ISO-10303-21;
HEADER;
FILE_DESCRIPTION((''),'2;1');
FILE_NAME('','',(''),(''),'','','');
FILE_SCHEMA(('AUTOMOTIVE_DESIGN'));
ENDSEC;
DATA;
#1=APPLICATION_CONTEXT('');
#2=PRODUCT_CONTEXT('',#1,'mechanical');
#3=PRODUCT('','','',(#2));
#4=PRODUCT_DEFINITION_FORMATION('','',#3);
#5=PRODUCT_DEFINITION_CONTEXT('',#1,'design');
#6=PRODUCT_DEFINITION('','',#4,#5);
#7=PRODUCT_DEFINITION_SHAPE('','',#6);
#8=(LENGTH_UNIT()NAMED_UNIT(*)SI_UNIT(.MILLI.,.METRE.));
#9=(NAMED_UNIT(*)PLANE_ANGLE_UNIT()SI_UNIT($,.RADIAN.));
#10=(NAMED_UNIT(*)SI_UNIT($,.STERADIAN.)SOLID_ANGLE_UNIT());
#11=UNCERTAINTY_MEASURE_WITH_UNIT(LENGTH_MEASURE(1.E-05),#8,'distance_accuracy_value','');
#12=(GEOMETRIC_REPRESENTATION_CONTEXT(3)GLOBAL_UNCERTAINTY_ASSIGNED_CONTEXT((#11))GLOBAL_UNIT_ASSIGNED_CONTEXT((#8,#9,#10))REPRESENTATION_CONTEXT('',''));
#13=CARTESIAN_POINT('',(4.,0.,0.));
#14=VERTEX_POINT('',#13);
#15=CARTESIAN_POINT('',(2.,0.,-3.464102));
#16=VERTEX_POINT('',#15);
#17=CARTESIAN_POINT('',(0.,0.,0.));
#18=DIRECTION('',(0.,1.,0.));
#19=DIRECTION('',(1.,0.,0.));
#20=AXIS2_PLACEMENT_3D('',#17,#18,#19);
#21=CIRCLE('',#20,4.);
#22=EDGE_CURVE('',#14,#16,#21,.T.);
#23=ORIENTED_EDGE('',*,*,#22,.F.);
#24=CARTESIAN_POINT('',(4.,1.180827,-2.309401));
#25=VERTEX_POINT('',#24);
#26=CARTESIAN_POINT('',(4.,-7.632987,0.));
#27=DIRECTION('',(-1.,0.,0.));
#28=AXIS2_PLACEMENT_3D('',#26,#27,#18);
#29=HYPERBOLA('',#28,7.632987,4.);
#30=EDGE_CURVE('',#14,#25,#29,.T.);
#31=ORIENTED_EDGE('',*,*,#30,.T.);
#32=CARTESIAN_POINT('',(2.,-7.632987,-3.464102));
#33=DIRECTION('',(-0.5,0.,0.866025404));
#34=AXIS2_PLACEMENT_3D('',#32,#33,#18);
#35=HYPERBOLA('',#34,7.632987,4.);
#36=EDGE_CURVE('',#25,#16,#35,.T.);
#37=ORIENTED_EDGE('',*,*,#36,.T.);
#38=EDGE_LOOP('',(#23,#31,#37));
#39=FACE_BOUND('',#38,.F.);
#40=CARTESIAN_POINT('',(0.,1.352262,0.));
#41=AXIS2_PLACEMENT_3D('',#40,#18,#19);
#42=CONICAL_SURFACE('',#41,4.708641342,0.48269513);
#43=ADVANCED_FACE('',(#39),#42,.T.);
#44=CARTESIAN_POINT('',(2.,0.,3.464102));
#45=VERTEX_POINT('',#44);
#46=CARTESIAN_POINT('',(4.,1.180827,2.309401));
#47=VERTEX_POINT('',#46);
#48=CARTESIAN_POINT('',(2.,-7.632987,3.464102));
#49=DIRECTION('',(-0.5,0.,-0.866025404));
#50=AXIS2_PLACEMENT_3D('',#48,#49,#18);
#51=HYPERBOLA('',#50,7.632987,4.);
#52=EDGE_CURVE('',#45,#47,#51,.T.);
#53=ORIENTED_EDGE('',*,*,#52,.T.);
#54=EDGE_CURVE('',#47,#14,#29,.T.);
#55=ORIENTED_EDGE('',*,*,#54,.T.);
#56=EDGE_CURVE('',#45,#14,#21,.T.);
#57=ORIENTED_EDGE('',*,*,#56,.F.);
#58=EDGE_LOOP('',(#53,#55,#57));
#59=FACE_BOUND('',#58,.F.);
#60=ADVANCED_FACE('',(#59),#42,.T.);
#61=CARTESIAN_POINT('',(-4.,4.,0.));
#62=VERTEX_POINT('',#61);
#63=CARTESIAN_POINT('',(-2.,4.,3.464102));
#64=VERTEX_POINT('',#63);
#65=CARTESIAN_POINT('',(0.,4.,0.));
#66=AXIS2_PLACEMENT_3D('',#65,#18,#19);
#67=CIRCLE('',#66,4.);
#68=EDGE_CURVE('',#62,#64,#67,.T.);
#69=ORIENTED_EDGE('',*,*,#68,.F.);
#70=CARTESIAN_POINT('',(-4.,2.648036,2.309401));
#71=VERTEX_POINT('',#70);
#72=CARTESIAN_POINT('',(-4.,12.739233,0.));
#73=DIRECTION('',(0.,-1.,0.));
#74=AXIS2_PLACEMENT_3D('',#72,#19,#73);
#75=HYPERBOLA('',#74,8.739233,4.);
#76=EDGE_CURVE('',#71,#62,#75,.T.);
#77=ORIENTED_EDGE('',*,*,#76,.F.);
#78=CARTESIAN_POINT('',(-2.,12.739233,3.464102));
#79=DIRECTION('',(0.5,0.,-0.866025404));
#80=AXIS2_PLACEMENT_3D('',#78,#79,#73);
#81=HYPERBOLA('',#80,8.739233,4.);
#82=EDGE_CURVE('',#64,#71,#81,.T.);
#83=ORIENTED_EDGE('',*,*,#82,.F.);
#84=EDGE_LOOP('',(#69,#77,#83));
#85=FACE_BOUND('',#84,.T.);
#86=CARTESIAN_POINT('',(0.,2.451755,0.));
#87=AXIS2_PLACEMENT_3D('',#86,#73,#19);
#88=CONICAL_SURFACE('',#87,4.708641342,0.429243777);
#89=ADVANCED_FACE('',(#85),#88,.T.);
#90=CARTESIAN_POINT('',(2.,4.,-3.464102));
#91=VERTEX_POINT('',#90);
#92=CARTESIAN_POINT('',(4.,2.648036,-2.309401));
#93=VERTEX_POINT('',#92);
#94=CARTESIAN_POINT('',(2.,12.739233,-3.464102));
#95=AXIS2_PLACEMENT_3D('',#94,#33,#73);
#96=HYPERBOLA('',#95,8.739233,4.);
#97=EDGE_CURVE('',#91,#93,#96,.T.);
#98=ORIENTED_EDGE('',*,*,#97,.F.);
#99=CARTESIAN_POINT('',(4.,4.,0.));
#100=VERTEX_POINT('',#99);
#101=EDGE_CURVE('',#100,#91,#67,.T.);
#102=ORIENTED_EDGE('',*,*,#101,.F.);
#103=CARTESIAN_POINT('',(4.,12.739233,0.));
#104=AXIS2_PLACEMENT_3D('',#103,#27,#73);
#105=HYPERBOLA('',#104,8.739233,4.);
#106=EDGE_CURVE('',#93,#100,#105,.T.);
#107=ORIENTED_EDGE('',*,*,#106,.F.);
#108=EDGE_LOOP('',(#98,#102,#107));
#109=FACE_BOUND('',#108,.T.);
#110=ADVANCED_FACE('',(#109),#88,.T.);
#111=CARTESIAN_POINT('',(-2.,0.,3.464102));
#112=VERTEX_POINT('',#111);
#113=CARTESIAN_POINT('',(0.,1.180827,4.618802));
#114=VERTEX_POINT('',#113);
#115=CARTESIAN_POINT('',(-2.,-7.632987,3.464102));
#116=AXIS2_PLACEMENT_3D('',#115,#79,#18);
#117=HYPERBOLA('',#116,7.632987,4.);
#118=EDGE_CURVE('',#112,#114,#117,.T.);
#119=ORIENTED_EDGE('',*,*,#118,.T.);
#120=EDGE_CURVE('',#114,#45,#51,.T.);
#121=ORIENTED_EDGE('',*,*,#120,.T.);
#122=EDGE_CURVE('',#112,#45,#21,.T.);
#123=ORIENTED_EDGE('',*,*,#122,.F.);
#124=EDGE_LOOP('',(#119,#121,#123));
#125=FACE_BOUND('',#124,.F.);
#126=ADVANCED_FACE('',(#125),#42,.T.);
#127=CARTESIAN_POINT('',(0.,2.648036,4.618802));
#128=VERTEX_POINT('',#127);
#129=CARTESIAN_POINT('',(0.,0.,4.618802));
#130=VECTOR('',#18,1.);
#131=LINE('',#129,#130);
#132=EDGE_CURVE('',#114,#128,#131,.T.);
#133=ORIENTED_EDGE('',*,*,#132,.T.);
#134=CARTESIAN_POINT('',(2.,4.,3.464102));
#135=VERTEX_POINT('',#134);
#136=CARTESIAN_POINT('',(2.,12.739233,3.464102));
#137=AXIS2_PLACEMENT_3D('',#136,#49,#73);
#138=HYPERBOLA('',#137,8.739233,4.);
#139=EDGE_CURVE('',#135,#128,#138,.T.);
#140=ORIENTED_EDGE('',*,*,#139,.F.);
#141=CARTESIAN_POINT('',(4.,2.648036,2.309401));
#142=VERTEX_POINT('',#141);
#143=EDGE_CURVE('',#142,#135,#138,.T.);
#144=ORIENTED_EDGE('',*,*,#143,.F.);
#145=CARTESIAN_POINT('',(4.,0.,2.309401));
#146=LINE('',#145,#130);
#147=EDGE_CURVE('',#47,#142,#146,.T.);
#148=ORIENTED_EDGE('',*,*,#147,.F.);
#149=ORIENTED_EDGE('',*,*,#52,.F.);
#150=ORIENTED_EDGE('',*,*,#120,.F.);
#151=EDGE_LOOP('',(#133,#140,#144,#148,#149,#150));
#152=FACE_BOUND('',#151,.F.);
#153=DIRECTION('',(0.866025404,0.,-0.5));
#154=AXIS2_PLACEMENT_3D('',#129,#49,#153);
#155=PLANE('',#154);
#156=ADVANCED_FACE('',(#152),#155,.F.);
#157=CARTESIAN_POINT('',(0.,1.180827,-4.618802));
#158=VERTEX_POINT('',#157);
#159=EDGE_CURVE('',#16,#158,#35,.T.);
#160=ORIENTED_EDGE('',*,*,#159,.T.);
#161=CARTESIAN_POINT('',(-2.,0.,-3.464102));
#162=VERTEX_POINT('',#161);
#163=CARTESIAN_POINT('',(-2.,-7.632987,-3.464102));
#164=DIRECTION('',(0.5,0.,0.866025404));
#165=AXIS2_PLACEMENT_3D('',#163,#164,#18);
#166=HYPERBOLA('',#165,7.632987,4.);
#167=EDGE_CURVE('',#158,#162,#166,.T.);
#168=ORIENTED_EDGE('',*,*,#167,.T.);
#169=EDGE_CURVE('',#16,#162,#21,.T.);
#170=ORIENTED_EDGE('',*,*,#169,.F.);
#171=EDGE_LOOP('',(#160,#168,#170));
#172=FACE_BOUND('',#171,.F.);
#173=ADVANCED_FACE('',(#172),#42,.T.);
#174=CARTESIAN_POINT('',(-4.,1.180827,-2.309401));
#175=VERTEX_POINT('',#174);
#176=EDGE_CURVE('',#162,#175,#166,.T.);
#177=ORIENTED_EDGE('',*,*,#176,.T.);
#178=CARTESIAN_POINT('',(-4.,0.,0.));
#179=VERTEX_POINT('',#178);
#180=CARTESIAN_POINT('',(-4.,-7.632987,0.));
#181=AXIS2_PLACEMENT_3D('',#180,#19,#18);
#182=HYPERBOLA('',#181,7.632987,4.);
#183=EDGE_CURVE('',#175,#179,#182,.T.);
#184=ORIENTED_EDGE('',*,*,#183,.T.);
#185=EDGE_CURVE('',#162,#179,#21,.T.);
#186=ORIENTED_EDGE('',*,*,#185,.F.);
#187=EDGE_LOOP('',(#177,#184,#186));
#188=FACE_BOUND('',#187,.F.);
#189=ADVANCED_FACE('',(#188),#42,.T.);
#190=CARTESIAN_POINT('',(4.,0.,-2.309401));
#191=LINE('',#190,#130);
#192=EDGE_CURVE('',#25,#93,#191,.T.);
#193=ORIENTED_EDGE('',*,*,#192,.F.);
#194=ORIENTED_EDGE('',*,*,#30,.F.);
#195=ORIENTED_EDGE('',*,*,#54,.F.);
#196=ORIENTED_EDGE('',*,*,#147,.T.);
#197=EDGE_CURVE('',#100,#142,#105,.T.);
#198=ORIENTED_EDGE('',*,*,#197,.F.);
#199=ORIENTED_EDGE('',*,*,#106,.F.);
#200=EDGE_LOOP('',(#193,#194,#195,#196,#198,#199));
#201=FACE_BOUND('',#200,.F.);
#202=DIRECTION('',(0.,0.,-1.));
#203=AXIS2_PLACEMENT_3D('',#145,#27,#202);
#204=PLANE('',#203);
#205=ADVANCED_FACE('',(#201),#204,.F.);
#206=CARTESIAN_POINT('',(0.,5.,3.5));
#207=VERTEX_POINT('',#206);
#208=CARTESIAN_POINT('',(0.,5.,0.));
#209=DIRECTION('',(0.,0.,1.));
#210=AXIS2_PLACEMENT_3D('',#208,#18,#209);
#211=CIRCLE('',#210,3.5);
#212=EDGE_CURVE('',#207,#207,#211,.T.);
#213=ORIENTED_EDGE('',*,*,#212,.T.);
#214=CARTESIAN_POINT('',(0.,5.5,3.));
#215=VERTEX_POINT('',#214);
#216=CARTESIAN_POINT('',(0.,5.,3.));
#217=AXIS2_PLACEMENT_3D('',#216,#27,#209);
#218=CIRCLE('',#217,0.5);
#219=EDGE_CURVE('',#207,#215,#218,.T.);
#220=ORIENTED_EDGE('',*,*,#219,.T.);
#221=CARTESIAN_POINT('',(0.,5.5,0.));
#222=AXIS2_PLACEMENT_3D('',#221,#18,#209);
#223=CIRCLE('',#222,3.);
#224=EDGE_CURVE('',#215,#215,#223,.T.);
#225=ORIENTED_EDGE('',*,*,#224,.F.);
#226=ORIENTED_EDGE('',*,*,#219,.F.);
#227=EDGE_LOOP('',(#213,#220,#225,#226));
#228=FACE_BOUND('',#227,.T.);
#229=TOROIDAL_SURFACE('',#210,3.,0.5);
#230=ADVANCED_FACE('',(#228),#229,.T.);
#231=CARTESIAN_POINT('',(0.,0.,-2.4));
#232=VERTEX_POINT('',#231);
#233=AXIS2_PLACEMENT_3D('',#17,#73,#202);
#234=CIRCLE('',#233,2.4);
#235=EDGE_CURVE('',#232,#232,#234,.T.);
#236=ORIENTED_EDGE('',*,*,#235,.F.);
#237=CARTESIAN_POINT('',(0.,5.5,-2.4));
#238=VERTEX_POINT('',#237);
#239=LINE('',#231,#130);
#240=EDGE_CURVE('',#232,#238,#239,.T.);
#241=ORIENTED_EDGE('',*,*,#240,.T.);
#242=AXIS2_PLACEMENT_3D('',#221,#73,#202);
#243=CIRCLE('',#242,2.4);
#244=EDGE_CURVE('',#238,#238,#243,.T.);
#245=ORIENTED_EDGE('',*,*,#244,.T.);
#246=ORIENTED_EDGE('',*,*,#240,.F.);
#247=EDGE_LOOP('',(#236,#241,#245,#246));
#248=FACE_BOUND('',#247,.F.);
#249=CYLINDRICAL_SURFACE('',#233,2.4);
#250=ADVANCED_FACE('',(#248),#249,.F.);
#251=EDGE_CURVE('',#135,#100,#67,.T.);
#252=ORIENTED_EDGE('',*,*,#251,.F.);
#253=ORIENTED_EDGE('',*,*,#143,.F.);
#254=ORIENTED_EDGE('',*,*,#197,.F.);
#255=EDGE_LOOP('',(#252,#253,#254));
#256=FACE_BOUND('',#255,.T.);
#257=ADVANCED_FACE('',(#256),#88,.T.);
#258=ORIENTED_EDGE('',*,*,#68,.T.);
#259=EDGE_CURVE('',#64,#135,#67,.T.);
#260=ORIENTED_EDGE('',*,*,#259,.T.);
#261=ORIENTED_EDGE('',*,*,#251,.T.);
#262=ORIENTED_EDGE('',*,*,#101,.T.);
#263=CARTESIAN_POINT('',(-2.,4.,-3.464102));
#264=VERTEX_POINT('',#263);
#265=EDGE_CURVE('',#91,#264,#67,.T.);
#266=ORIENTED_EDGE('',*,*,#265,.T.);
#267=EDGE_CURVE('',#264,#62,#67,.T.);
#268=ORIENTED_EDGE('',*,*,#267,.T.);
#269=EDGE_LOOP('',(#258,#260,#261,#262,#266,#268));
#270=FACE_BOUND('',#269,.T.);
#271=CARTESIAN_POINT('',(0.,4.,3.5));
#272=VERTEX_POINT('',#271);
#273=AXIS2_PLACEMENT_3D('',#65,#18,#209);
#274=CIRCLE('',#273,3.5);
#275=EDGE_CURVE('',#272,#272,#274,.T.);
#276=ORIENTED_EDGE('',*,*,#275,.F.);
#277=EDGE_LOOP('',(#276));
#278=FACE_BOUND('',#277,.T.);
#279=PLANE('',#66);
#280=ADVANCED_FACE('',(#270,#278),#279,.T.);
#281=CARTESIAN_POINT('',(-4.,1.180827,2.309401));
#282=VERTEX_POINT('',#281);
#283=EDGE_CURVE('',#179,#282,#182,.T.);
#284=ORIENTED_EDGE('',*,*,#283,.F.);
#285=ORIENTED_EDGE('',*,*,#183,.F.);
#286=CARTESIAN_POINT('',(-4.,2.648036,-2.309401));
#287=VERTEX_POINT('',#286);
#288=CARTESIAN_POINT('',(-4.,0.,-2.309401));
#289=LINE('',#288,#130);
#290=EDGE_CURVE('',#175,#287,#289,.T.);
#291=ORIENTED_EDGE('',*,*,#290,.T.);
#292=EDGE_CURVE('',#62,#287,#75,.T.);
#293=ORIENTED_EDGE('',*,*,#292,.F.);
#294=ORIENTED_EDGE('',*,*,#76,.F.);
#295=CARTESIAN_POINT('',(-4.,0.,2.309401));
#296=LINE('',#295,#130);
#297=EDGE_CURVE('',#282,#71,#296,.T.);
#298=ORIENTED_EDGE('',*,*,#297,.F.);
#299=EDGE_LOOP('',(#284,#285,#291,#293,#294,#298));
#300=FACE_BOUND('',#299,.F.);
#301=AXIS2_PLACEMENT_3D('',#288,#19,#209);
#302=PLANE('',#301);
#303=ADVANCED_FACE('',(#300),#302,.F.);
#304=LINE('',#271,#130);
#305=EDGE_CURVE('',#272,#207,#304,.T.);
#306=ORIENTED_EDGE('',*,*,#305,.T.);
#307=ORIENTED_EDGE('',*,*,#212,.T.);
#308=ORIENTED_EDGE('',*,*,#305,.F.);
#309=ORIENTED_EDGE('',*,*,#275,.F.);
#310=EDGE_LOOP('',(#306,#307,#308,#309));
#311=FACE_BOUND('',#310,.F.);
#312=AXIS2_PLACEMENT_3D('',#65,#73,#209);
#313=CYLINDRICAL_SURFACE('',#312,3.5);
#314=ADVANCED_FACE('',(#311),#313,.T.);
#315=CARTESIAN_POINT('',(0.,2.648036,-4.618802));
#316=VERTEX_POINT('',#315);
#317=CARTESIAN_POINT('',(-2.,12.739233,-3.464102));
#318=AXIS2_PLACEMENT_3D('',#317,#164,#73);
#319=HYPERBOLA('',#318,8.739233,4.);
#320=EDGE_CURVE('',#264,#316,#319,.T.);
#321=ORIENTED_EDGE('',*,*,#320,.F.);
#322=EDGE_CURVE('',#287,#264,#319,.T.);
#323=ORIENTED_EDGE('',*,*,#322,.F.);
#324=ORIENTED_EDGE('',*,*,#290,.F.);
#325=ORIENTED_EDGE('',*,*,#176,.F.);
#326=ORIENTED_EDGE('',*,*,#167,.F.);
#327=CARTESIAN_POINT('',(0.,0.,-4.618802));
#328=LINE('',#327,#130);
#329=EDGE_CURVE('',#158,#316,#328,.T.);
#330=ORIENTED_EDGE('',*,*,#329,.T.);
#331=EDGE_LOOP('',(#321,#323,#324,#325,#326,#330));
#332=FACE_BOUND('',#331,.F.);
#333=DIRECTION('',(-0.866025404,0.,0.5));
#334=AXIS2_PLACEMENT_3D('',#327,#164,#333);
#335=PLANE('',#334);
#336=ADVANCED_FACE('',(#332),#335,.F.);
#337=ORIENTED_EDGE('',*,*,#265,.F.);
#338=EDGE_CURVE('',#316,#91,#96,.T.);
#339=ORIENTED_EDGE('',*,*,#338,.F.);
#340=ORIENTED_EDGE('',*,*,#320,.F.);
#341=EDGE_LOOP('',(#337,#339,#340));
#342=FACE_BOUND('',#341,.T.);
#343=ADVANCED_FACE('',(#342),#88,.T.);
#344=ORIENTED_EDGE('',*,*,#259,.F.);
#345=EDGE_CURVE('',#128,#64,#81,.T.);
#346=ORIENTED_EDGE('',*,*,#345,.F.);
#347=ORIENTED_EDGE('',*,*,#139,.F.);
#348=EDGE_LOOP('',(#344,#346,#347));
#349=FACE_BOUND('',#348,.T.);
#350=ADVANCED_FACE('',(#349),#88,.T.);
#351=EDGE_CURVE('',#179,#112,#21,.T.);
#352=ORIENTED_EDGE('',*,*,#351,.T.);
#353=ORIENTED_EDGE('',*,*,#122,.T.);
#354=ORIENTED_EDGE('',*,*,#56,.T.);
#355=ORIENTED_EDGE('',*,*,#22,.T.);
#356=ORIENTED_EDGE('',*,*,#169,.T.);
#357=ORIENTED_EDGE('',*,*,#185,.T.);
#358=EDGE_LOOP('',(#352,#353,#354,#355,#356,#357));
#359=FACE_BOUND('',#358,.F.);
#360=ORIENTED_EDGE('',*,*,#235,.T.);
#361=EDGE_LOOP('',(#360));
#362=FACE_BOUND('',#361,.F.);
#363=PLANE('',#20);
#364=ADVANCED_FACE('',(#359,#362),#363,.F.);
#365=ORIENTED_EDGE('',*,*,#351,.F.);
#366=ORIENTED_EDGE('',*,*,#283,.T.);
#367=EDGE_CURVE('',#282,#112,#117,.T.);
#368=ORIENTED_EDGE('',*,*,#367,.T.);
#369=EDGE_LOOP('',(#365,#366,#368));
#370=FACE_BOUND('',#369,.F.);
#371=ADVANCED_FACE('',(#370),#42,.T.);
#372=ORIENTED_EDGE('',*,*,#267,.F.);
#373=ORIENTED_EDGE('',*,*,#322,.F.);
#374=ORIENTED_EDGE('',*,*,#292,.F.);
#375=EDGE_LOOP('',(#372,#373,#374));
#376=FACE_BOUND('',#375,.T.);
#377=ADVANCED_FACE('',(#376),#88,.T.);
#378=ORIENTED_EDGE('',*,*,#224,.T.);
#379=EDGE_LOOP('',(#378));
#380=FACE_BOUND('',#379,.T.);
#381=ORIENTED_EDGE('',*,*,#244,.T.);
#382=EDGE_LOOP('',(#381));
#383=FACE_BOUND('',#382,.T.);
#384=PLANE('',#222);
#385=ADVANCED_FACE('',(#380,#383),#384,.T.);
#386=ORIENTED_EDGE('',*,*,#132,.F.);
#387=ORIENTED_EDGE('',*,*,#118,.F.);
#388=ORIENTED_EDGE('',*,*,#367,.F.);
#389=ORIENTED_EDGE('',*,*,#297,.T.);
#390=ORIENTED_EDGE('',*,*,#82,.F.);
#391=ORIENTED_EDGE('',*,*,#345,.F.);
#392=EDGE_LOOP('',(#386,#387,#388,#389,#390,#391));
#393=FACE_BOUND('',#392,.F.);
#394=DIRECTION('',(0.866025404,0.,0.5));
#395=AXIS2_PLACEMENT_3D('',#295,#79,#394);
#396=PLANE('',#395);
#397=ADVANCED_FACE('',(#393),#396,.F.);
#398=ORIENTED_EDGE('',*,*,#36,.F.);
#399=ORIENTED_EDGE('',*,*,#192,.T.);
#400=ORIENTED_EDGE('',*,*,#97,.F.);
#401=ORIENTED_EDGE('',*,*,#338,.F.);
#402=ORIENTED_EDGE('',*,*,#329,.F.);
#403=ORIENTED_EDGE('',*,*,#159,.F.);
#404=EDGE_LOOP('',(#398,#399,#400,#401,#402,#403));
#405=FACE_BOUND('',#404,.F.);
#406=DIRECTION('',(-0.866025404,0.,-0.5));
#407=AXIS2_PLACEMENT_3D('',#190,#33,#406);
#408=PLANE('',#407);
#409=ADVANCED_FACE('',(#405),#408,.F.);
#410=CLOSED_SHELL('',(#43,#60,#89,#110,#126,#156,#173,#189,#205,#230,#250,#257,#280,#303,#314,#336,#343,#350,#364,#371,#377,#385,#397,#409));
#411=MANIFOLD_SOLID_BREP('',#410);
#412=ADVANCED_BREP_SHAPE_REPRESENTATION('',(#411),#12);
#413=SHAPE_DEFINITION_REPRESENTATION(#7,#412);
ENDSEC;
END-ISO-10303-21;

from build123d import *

# Parameters (mm, degrees)
EXTRUDE_1_DEPTH     = 4
SKETCH_2_R          = 3.5
EXTRUDE_2_DEPTH     = 1.5
FILLET_1_R          = 0.5
SKETCH_3_R          = 2.4
CUT_EXTRUDE_1_DEPTH = 9.220908303


with BuildPart() as part:
    # 草图1 → 凸台-拉伸1 (new body)
    with BuildSketch(Plane(origin=(0, 0, 0), x_dir=(1, 0, 0), z_dir=(0, 1, 0))):
        Polygon((4, 2.309401077), (0, 4.618802154), (-4, 2.309401077), (-4, -2.309401077), (0, -4.618802154), (4, -2.309401077), align=None)
    extrude(amount=EXTRUDE_1_DEPTH)

    # 草图2 → 凸台-拉伸2 (add)
    with BuildSketch(Plane(origin=(0, 4, 0), x_dir=(1, 0, 0), z_dir=(0, 1, 0))):
        with Locations(Location((0, 0, 0), (0, 0, 270))):
            Circle(SKETCH_2_R)
    extrude(amount=EXTRUDE_2_DEPTH)

    # 圆角1
    fillet_1_edges = [part.edges().sort_by_distance(p)[0] for p in [
        (0, 5.5, -3.5),
    ]]
    fillet(fillet_1_edges, radius=FILLET_1_R)

    # 草图3 → 切除-拉伸1 (cut, through all)
    with BuildSketch(Plane.XZ):
        with Locations(Location((0, 0, 0), (0, 0, 270))):
            Circle(SKETCH_3_R)
    extrude(amount=-CUT_EXTRUDE_1_DEPTH, mode=Mode.SUBTRACT)

    # 草图4 → 切除-旋转1 (revolve, cut)
    with BuildSketch(Plane.XY):
        Polygon((4.708641342, 0), (4.708641342, 1.352262465), (4, 0), align=None)
        Polygon((4, 4), (4.708641342, 4), (4.708641342, 2.451754507), align=None)
    revolve(axis=Axis((0, 0, 0), (0, 1, 0)), mode=Mode.SUBTRACT)


solid = part.part
